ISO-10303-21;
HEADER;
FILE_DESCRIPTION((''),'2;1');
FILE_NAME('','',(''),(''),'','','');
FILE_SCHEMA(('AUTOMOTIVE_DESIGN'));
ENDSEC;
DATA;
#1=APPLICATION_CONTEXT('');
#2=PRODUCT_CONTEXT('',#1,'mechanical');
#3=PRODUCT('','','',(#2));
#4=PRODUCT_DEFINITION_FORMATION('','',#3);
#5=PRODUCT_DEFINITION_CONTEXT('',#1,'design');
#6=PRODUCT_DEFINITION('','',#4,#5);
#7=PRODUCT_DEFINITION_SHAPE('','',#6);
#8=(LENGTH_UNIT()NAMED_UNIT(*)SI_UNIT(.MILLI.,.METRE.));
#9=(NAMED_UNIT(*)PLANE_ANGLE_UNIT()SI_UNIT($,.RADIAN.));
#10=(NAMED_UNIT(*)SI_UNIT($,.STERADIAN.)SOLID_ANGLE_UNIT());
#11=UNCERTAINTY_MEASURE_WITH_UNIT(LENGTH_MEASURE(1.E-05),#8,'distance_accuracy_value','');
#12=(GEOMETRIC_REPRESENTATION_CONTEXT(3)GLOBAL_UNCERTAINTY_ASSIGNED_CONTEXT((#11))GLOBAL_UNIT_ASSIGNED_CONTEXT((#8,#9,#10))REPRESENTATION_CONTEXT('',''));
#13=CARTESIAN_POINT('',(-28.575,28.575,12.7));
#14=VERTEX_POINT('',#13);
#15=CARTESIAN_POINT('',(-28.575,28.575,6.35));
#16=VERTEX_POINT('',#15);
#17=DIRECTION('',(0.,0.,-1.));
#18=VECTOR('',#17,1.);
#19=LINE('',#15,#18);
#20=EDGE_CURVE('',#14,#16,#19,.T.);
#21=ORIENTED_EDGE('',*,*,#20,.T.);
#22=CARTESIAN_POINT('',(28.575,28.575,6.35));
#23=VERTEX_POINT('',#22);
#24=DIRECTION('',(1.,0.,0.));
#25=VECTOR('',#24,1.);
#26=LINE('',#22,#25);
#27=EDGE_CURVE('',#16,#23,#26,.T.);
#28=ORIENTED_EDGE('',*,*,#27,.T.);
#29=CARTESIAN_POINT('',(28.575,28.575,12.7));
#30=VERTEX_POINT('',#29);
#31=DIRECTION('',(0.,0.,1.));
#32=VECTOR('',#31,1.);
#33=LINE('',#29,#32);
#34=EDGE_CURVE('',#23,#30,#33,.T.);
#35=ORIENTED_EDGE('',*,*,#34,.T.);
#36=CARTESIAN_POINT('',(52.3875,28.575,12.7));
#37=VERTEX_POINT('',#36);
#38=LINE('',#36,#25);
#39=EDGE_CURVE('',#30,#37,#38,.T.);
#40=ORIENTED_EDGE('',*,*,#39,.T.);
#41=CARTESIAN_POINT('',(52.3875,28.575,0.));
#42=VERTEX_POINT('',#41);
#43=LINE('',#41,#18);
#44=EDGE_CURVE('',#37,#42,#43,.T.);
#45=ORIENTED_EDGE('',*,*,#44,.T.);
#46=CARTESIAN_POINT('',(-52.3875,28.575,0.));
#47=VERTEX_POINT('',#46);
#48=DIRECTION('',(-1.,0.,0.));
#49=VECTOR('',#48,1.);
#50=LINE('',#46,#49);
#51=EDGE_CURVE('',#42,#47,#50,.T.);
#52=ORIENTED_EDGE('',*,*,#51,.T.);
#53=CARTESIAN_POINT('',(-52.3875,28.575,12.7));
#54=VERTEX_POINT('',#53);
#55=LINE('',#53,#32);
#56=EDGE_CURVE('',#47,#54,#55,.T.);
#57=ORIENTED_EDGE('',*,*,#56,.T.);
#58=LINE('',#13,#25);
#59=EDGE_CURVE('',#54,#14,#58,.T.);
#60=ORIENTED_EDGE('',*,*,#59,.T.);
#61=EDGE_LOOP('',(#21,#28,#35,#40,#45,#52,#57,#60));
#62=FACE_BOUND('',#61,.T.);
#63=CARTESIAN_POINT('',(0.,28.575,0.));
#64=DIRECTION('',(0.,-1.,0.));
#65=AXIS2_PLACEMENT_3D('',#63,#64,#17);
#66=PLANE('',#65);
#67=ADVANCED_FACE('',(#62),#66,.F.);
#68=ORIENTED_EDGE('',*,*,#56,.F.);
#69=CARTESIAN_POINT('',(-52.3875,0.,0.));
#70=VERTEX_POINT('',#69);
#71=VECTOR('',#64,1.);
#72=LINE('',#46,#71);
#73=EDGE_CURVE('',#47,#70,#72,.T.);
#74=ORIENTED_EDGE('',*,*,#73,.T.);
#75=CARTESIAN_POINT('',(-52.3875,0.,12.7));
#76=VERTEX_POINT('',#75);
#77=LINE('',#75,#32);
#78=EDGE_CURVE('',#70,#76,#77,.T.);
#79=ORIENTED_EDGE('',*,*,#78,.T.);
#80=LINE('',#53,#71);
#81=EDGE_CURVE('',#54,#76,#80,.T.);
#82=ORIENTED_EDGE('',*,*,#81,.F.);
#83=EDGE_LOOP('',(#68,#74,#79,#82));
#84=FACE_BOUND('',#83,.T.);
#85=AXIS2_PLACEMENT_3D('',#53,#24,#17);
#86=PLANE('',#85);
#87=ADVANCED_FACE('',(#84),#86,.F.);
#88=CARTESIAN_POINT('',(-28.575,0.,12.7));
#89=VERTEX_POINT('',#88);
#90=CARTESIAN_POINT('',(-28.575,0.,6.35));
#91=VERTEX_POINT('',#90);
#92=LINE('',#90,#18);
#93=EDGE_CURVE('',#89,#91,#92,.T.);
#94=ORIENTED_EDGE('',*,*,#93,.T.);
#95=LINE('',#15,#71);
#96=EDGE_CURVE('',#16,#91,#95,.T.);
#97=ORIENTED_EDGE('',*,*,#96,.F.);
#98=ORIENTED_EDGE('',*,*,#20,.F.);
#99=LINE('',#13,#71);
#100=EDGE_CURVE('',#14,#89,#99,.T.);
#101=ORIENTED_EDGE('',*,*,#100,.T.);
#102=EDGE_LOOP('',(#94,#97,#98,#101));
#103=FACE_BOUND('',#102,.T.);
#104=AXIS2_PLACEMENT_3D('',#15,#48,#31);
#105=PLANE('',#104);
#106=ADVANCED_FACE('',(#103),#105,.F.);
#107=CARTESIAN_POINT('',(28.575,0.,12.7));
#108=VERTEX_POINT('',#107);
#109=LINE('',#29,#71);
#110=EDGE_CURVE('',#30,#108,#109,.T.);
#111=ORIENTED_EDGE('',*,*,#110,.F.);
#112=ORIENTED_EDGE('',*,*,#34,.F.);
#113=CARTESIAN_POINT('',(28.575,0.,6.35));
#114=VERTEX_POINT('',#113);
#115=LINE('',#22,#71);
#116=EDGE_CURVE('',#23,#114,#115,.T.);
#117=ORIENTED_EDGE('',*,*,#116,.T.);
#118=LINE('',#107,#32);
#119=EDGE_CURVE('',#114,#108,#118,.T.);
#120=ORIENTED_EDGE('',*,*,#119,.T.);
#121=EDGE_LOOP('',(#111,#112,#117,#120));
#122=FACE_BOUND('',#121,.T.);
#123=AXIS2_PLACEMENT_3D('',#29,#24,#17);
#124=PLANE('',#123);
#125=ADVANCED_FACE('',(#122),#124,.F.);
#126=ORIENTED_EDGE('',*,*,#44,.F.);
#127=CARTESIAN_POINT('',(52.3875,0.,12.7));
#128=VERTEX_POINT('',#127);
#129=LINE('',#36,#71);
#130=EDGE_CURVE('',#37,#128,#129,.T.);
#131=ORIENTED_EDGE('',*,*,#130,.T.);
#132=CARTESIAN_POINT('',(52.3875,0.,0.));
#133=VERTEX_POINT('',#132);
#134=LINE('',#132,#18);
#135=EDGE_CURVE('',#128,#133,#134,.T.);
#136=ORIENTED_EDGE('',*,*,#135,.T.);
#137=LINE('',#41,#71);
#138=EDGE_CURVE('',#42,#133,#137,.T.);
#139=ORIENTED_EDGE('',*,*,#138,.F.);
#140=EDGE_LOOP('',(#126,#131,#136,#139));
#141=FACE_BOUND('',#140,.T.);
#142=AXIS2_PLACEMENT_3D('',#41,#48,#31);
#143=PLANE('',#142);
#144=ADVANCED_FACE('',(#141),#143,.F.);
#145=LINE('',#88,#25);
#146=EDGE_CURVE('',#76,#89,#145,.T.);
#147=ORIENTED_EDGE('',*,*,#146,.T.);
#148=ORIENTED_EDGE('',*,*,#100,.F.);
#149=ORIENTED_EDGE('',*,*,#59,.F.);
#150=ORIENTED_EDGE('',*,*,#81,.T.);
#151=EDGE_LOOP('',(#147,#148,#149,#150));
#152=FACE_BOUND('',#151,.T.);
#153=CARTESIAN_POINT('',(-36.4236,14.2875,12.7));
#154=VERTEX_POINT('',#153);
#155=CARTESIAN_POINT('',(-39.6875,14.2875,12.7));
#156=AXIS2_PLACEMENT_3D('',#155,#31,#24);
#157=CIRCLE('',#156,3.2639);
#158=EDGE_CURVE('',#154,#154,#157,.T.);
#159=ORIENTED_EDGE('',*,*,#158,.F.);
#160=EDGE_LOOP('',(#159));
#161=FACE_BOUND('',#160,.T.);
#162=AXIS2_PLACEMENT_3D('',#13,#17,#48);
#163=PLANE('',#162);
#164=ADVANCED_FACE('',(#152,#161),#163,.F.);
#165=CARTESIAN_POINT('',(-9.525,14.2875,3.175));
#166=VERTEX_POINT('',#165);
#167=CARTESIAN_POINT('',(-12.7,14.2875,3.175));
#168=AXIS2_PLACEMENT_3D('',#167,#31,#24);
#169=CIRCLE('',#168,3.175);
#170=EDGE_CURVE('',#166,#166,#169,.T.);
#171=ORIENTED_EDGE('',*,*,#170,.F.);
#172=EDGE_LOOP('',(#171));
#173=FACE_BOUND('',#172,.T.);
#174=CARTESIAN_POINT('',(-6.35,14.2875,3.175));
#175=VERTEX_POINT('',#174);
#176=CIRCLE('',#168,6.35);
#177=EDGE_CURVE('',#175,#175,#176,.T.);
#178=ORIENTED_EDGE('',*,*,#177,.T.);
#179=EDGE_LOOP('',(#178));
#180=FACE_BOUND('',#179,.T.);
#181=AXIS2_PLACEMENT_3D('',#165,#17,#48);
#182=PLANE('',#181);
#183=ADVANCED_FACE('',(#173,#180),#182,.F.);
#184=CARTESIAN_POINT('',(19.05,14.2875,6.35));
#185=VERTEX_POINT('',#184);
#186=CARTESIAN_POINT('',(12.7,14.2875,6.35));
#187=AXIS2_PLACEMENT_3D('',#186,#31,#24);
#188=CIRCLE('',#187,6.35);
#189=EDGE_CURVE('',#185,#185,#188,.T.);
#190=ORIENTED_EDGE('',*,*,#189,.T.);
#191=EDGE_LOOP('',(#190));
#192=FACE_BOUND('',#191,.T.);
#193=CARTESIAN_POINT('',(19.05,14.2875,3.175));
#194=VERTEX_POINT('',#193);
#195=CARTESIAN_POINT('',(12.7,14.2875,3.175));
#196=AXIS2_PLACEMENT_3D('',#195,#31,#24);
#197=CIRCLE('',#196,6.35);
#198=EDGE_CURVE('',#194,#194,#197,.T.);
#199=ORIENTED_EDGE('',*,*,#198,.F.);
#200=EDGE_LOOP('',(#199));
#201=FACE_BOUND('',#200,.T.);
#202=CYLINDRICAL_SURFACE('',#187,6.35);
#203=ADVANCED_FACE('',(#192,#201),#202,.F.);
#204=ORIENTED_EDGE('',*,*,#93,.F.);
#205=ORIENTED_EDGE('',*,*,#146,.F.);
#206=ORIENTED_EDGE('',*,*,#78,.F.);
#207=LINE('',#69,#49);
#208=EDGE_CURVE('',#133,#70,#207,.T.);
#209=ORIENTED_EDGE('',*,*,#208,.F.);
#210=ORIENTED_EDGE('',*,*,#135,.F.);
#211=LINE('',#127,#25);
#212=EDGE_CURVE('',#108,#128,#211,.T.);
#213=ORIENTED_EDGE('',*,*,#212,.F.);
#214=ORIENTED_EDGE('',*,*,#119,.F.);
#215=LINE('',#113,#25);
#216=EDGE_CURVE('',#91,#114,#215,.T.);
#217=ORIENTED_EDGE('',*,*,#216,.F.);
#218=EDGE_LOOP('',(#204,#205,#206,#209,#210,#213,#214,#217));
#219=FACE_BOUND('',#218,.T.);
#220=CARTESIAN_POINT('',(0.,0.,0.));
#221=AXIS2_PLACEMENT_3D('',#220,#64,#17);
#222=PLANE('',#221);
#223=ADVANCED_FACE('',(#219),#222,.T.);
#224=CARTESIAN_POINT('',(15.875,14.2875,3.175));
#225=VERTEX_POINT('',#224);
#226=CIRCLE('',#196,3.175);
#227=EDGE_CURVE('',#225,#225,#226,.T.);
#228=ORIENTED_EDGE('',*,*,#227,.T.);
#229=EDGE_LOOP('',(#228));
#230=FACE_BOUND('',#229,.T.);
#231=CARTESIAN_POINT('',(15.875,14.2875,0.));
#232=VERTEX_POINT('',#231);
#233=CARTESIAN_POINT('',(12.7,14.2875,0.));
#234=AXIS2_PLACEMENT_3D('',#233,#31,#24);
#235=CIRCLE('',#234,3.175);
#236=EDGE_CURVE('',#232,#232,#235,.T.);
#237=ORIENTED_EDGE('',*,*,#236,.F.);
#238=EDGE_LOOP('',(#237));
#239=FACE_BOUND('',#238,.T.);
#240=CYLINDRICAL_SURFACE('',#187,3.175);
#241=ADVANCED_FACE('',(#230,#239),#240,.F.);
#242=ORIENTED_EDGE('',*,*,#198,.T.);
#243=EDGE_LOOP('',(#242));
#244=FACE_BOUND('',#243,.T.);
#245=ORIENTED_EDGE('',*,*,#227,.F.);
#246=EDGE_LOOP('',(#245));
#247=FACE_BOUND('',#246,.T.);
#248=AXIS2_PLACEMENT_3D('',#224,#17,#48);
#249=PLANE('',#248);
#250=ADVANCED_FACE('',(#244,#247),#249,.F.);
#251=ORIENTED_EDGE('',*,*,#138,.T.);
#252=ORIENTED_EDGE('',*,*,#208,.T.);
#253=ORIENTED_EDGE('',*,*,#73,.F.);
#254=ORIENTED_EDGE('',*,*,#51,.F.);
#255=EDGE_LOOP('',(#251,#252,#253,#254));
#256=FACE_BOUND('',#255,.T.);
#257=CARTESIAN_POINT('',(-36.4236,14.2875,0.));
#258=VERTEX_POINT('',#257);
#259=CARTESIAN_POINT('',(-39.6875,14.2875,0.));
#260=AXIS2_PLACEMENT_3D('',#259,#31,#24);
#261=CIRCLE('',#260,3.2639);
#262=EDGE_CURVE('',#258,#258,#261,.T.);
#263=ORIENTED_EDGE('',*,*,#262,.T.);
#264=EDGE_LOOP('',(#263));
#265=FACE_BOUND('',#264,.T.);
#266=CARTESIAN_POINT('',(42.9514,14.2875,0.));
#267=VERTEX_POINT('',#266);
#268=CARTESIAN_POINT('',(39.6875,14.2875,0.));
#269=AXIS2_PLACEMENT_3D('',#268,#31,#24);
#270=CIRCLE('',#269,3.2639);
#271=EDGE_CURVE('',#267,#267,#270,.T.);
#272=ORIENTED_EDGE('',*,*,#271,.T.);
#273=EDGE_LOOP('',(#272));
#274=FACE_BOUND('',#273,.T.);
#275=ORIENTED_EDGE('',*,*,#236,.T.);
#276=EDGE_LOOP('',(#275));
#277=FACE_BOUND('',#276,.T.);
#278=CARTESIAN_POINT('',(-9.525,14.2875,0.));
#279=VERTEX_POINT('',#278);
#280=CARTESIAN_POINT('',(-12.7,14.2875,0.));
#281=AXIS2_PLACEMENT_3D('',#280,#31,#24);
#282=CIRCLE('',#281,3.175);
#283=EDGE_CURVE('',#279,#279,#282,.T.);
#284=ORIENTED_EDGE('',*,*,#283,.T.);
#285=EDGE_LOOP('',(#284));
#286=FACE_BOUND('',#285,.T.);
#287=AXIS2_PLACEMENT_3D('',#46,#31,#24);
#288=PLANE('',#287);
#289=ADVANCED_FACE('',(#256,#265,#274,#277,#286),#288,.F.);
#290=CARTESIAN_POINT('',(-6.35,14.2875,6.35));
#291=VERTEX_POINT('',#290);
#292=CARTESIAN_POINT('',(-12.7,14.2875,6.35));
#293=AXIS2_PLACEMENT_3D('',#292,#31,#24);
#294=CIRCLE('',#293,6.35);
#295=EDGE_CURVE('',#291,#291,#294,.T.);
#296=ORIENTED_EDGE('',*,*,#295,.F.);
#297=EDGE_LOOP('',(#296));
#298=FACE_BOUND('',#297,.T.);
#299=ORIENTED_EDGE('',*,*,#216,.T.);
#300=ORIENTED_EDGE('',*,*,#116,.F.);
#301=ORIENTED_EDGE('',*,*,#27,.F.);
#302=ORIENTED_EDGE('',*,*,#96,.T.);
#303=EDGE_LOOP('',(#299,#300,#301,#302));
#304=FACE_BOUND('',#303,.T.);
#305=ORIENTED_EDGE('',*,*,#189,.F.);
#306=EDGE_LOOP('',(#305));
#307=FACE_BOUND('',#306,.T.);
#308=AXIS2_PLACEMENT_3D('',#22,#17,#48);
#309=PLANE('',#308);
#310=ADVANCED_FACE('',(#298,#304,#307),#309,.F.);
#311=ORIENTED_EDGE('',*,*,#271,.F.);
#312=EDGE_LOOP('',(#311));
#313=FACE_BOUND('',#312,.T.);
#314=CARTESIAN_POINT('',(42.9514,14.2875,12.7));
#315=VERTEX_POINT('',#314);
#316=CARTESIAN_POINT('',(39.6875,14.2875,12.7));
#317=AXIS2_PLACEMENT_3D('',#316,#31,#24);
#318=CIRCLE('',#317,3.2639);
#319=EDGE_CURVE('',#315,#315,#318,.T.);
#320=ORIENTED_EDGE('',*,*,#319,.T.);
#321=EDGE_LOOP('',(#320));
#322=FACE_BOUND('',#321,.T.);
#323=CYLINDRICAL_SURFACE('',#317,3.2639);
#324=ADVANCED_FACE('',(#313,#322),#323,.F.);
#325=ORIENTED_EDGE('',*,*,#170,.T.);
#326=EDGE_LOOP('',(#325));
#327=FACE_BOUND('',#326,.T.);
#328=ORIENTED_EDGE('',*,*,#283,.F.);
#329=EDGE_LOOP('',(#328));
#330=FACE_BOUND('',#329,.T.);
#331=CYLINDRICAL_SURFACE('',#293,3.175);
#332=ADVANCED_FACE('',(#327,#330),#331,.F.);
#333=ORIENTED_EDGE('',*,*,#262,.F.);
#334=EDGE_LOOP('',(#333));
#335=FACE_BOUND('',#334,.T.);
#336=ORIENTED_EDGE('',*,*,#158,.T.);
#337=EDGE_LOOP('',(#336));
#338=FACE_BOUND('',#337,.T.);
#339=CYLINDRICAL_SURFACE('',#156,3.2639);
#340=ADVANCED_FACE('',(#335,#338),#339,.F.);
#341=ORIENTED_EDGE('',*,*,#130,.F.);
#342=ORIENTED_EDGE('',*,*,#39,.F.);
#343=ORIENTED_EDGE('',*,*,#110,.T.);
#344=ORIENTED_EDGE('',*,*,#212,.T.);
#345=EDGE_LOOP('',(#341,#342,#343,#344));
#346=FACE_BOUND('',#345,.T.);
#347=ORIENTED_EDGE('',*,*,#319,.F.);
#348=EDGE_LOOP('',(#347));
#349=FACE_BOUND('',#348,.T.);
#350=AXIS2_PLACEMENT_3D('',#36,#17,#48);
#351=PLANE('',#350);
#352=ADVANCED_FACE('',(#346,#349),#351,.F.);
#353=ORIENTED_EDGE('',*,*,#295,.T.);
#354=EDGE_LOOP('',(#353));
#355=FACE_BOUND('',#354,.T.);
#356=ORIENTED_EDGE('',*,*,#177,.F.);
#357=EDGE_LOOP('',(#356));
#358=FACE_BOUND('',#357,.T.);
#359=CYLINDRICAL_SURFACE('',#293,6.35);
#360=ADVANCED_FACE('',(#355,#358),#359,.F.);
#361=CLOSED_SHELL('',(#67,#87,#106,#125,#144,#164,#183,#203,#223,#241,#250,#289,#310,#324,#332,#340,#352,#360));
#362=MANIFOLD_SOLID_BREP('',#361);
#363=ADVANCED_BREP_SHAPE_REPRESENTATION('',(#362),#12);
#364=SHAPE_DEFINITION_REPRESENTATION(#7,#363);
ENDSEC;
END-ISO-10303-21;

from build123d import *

# Parameters (mm, degrees)
BOSS_EXTRUDE1_DEPTH      = 28.575
HOLE1_D                  = 6.35
HOLE1_DEPTH              = 6.35
HOLE1_CBORE_D            = 12.7
HOLE1_CBORE_DEPTH        = 3.175
HOLE1_TIP                = 1.907732465
F_5_16_18_TAPPED_HOLE1_D = 6.5278


with BuildPart() as part:
    # Sketch1 → Boss-Extrude1 (new body)
    with BuildSketch(Plane(origin=(0, 0, 0), x_dir=(1, 0, 0), z_dir=(0, 1, 0))):
        Polygon((-52.3875, 0), (52.3875, 0), (52.3875, -12.7), (28.575, -12.7), (28.575, -6.35), (-28.575, -6.35), (-28.575, -12.7), (-52.3875, -12.7), align=None)
    extrude(amount=BOSS_EXTRUDE1_DEPTH)

    # Hole1
    with Locations(Plane(origin=(0, 0, 6.35), x_dir=(-1, 0, 0), z_dir=(0, 0, 1))):
        with Locations((-12.7, -14.2875), (12.7, -14.2875)):
            CounterBoreHole(HOLE1_D / 2, HOLE1_CBORE_D / 2, HOLE1_CBORE_DEPTH, depth=HOLE1_DEPTH)
            with Locations((0, 0, -(HOLE1_DEPTH + HOLE1_TIP / 2))):  # 118° drill point
                Cone(0, HOLE1_D / 2, HOLE1_TIP, mode=Mode.SUBTRACT)

    # 5/16-18 Tapped Hole1 (through all)
    with Locations(Plane.XY.offset(12.7)):
        with Locations((-39.6875, 14.2875), (39.6875, 14.2875)):
            Hole(F_5_16_18_TAPPED_HOLE1_D / 2)


solid = part.part
